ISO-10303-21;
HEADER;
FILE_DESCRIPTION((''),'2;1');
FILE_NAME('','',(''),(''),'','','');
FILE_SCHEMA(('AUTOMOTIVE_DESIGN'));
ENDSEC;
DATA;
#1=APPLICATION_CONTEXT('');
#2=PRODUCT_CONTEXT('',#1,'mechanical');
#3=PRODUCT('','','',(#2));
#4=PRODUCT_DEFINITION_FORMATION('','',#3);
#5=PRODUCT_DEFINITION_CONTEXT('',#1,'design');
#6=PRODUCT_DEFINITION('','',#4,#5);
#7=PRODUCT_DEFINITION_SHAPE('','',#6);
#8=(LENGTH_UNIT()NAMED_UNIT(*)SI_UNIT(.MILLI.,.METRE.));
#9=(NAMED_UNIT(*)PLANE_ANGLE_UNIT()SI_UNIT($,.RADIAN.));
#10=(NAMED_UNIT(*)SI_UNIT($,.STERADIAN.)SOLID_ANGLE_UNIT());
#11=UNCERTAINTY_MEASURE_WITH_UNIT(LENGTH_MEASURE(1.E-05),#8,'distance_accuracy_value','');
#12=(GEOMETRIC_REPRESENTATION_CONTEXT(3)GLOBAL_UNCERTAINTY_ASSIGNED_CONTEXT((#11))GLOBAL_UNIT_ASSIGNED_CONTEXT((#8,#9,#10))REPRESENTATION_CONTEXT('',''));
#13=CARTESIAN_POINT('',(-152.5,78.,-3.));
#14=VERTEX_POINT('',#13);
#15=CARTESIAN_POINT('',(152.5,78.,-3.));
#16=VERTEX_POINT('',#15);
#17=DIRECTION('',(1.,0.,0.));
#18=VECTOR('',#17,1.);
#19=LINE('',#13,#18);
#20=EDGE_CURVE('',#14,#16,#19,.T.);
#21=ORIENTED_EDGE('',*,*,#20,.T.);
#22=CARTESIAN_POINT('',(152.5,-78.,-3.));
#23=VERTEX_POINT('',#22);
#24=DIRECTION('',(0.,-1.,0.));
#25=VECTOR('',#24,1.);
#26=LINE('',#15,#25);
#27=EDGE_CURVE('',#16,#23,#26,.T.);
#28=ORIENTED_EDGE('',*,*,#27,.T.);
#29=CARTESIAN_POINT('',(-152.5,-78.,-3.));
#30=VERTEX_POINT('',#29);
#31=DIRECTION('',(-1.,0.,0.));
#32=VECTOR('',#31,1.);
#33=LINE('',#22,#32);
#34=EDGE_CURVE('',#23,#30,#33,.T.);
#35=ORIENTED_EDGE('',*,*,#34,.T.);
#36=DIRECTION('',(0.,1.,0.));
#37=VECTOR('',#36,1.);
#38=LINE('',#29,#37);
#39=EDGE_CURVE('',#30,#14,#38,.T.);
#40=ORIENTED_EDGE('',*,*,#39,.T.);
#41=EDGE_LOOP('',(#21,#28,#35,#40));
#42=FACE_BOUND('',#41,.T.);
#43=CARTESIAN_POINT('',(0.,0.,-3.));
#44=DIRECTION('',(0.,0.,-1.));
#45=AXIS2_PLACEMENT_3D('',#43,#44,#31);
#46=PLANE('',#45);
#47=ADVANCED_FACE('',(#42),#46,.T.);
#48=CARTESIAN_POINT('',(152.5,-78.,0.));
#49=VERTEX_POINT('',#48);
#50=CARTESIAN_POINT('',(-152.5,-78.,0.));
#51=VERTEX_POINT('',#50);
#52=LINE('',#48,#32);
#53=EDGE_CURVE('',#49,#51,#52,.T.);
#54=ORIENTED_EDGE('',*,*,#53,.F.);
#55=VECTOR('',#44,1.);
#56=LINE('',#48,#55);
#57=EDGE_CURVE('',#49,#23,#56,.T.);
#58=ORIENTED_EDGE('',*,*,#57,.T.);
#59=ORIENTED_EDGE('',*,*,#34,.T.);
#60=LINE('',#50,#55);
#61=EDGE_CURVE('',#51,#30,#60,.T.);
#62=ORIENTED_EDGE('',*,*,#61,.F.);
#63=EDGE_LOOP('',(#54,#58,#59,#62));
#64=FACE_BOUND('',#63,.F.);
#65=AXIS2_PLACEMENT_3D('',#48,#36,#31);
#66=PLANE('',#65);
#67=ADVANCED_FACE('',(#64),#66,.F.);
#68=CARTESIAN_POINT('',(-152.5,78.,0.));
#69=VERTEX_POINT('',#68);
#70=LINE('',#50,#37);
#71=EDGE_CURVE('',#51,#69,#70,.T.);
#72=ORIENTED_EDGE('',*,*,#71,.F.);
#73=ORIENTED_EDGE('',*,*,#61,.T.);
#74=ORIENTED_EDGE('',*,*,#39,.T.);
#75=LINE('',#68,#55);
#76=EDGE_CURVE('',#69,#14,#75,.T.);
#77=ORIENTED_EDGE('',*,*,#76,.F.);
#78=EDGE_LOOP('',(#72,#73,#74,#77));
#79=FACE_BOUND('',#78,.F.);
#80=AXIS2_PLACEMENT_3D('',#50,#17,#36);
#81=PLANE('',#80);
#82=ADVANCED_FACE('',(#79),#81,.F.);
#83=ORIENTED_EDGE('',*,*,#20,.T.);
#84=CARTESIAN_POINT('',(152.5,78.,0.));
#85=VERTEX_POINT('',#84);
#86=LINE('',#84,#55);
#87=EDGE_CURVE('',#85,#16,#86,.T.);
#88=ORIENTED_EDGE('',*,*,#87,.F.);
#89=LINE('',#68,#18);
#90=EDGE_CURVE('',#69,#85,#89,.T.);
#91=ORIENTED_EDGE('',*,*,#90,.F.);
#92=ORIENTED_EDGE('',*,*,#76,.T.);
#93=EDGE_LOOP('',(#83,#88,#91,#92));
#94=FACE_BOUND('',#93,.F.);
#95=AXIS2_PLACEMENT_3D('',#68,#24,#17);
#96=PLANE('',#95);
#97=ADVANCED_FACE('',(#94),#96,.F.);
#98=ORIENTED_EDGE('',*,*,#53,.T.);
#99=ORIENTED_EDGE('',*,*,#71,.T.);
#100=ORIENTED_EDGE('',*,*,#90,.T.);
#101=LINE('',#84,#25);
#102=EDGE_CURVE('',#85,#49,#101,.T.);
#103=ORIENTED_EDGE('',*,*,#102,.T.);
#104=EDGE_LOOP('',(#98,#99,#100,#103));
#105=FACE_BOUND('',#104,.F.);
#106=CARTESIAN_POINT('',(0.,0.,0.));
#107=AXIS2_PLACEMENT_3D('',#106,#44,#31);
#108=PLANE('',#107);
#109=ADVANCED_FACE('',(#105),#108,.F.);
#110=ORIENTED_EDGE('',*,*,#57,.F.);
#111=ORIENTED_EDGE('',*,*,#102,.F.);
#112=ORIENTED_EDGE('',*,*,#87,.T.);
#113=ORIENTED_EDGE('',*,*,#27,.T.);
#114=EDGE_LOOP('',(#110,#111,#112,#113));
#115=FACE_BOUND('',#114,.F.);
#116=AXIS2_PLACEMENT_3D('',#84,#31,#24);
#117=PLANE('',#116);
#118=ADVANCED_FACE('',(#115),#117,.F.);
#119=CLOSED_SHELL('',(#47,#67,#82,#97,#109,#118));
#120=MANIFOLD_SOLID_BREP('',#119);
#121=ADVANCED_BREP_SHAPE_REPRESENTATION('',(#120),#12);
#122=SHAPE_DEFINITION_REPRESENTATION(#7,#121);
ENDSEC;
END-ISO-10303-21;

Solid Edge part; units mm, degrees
sketch "Sketch1" plane through (0, 0, 0) normal (0, 0, -1) x (-1, 0, 0)
  line L0 (-152.5, -78) -> (152.5, -78)
  line L1 (152.5, -78) -> (152.5, 78)
  line L2 (152.5, 78) -> (-152.5, 78)
  line L3 (-152.5, 78) -> (-152.5, -78)
  dimension "D1" = 305
  dimension "D2" = 156
extrude "Protrusion1" add sketch "Sketch1" along normal blind 3
